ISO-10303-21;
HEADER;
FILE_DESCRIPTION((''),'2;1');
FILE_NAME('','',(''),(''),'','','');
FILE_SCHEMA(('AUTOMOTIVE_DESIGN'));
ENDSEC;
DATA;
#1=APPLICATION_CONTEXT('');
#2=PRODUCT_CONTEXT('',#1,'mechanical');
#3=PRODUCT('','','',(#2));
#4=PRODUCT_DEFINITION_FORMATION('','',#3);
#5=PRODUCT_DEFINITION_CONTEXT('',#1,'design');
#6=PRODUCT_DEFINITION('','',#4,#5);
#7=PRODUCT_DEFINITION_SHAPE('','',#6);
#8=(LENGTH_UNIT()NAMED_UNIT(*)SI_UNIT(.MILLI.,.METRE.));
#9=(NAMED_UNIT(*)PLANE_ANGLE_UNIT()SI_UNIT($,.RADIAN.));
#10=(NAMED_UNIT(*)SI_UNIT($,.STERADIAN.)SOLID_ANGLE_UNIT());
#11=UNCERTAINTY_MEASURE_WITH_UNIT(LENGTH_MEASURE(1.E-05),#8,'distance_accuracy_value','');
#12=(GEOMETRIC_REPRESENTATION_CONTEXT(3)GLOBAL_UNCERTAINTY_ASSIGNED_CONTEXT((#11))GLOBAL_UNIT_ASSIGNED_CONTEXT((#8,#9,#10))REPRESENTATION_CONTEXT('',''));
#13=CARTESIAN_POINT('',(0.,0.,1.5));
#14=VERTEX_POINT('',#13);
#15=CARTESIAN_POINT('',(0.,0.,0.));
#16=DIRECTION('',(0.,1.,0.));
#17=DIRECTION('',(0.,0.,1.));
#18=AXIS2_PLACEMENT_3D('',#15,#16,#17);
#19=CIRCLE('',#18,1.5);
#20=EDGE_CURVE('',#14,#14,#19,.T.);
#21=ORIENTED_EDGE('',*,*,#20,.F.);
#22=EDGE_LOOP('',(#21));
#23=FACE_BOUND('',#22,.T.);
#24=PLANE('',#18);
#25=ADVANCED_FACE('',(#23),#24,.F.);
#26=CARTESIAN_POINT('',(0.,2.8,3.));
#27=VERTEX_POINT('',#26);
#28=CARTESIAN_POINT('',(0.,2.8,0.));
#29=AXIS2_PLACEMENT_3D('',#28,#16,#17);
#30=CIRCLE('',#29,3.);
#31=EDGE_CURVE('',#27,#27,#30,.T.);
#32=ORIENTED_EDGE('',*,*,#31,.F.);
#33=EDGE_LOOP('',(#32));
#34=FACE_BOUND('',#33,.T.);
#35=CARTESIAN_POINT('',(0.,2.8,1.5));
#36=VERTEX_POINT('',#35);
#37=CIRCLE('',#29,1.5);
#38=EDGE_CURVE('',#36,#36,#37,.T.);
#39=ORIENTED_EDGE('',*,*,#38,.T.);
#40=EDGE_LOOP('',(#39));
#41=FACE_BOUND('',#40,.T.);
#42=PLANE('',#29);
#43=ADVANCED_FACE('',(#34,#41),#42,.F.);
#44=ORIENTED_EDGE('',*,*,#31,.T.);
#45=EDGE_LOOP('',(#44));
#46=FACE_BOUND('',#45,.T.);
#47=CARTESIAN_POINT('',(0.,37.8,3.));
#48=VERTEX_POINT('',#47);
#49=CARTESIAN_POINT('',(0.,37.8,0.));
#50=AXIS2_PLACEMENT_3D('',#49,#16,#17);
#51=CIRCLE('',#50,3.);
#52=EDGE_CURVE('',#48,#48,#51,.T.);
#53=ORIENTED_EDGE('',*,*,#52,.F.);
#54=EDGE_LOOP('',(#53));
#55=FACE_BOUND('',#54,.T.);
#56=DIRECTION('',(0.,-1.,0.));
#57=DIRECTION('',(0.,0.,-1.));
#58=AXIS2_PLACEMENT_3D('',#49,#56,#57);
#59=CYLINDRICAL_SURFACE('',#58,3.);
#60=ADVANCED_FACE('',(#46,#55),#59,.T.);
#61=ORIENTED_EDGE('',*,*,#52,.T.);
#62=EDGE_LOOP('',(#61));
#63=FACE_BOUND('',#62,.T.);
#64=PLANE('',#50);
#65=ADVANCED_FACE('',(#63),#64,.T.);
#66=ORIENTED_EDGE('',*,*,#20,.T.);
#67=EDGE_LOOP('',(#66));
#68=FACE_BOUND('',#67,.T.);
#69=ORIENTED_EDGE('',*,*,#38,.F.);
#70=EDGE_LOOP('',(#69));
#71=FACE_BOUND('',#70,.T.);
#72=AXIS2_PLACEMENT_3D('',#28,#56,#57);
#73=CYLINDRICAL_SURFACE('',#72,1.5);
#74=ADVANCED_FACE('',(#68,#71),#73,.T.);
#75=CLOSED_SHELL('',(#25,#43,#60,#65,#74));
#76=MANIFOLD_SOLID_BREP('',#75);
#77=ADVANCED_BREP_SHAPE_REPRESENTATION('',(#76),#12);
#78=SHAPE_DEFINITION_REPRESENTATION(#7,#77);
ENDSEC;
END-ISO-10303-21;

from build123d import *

# Parameters (mm, degrees)
SKETCH_1_R      = 1.5
EXTRUDE_1_DEPTH = 2.8
SKETCH_2_R      = 3
EXTRUDE_2_DEPTH = 35


with BuildPart() as part:
    # 草圖1 → 填料-伸長1 (new body)
    with BuildSketch(Plane(origin=(0, 0, 0), x_dir=(1, 0, 0), z_dir=(0, 1, 0))):
        with Locations(Location((0, 0, 0), (0, 0, 270))):
            Circle(SKETCH_1_R)
    extrude(amount=EXTRUDE_1_DEPTH)

    # 草圖2 → 填料-伸長2 (add)
    with BuildSketch(Plane(origin=(0, 2.8, 0), x_dir=(1, 0, 0), z_dir=(0, 1, 0))):
        with Locations(Location((0, 0, 0), (0, 0, 270))):
            Circle(SKETCH_2_R)
    extrude(amount=EXTRUDE_2_DEPTH)


solid = part.part
